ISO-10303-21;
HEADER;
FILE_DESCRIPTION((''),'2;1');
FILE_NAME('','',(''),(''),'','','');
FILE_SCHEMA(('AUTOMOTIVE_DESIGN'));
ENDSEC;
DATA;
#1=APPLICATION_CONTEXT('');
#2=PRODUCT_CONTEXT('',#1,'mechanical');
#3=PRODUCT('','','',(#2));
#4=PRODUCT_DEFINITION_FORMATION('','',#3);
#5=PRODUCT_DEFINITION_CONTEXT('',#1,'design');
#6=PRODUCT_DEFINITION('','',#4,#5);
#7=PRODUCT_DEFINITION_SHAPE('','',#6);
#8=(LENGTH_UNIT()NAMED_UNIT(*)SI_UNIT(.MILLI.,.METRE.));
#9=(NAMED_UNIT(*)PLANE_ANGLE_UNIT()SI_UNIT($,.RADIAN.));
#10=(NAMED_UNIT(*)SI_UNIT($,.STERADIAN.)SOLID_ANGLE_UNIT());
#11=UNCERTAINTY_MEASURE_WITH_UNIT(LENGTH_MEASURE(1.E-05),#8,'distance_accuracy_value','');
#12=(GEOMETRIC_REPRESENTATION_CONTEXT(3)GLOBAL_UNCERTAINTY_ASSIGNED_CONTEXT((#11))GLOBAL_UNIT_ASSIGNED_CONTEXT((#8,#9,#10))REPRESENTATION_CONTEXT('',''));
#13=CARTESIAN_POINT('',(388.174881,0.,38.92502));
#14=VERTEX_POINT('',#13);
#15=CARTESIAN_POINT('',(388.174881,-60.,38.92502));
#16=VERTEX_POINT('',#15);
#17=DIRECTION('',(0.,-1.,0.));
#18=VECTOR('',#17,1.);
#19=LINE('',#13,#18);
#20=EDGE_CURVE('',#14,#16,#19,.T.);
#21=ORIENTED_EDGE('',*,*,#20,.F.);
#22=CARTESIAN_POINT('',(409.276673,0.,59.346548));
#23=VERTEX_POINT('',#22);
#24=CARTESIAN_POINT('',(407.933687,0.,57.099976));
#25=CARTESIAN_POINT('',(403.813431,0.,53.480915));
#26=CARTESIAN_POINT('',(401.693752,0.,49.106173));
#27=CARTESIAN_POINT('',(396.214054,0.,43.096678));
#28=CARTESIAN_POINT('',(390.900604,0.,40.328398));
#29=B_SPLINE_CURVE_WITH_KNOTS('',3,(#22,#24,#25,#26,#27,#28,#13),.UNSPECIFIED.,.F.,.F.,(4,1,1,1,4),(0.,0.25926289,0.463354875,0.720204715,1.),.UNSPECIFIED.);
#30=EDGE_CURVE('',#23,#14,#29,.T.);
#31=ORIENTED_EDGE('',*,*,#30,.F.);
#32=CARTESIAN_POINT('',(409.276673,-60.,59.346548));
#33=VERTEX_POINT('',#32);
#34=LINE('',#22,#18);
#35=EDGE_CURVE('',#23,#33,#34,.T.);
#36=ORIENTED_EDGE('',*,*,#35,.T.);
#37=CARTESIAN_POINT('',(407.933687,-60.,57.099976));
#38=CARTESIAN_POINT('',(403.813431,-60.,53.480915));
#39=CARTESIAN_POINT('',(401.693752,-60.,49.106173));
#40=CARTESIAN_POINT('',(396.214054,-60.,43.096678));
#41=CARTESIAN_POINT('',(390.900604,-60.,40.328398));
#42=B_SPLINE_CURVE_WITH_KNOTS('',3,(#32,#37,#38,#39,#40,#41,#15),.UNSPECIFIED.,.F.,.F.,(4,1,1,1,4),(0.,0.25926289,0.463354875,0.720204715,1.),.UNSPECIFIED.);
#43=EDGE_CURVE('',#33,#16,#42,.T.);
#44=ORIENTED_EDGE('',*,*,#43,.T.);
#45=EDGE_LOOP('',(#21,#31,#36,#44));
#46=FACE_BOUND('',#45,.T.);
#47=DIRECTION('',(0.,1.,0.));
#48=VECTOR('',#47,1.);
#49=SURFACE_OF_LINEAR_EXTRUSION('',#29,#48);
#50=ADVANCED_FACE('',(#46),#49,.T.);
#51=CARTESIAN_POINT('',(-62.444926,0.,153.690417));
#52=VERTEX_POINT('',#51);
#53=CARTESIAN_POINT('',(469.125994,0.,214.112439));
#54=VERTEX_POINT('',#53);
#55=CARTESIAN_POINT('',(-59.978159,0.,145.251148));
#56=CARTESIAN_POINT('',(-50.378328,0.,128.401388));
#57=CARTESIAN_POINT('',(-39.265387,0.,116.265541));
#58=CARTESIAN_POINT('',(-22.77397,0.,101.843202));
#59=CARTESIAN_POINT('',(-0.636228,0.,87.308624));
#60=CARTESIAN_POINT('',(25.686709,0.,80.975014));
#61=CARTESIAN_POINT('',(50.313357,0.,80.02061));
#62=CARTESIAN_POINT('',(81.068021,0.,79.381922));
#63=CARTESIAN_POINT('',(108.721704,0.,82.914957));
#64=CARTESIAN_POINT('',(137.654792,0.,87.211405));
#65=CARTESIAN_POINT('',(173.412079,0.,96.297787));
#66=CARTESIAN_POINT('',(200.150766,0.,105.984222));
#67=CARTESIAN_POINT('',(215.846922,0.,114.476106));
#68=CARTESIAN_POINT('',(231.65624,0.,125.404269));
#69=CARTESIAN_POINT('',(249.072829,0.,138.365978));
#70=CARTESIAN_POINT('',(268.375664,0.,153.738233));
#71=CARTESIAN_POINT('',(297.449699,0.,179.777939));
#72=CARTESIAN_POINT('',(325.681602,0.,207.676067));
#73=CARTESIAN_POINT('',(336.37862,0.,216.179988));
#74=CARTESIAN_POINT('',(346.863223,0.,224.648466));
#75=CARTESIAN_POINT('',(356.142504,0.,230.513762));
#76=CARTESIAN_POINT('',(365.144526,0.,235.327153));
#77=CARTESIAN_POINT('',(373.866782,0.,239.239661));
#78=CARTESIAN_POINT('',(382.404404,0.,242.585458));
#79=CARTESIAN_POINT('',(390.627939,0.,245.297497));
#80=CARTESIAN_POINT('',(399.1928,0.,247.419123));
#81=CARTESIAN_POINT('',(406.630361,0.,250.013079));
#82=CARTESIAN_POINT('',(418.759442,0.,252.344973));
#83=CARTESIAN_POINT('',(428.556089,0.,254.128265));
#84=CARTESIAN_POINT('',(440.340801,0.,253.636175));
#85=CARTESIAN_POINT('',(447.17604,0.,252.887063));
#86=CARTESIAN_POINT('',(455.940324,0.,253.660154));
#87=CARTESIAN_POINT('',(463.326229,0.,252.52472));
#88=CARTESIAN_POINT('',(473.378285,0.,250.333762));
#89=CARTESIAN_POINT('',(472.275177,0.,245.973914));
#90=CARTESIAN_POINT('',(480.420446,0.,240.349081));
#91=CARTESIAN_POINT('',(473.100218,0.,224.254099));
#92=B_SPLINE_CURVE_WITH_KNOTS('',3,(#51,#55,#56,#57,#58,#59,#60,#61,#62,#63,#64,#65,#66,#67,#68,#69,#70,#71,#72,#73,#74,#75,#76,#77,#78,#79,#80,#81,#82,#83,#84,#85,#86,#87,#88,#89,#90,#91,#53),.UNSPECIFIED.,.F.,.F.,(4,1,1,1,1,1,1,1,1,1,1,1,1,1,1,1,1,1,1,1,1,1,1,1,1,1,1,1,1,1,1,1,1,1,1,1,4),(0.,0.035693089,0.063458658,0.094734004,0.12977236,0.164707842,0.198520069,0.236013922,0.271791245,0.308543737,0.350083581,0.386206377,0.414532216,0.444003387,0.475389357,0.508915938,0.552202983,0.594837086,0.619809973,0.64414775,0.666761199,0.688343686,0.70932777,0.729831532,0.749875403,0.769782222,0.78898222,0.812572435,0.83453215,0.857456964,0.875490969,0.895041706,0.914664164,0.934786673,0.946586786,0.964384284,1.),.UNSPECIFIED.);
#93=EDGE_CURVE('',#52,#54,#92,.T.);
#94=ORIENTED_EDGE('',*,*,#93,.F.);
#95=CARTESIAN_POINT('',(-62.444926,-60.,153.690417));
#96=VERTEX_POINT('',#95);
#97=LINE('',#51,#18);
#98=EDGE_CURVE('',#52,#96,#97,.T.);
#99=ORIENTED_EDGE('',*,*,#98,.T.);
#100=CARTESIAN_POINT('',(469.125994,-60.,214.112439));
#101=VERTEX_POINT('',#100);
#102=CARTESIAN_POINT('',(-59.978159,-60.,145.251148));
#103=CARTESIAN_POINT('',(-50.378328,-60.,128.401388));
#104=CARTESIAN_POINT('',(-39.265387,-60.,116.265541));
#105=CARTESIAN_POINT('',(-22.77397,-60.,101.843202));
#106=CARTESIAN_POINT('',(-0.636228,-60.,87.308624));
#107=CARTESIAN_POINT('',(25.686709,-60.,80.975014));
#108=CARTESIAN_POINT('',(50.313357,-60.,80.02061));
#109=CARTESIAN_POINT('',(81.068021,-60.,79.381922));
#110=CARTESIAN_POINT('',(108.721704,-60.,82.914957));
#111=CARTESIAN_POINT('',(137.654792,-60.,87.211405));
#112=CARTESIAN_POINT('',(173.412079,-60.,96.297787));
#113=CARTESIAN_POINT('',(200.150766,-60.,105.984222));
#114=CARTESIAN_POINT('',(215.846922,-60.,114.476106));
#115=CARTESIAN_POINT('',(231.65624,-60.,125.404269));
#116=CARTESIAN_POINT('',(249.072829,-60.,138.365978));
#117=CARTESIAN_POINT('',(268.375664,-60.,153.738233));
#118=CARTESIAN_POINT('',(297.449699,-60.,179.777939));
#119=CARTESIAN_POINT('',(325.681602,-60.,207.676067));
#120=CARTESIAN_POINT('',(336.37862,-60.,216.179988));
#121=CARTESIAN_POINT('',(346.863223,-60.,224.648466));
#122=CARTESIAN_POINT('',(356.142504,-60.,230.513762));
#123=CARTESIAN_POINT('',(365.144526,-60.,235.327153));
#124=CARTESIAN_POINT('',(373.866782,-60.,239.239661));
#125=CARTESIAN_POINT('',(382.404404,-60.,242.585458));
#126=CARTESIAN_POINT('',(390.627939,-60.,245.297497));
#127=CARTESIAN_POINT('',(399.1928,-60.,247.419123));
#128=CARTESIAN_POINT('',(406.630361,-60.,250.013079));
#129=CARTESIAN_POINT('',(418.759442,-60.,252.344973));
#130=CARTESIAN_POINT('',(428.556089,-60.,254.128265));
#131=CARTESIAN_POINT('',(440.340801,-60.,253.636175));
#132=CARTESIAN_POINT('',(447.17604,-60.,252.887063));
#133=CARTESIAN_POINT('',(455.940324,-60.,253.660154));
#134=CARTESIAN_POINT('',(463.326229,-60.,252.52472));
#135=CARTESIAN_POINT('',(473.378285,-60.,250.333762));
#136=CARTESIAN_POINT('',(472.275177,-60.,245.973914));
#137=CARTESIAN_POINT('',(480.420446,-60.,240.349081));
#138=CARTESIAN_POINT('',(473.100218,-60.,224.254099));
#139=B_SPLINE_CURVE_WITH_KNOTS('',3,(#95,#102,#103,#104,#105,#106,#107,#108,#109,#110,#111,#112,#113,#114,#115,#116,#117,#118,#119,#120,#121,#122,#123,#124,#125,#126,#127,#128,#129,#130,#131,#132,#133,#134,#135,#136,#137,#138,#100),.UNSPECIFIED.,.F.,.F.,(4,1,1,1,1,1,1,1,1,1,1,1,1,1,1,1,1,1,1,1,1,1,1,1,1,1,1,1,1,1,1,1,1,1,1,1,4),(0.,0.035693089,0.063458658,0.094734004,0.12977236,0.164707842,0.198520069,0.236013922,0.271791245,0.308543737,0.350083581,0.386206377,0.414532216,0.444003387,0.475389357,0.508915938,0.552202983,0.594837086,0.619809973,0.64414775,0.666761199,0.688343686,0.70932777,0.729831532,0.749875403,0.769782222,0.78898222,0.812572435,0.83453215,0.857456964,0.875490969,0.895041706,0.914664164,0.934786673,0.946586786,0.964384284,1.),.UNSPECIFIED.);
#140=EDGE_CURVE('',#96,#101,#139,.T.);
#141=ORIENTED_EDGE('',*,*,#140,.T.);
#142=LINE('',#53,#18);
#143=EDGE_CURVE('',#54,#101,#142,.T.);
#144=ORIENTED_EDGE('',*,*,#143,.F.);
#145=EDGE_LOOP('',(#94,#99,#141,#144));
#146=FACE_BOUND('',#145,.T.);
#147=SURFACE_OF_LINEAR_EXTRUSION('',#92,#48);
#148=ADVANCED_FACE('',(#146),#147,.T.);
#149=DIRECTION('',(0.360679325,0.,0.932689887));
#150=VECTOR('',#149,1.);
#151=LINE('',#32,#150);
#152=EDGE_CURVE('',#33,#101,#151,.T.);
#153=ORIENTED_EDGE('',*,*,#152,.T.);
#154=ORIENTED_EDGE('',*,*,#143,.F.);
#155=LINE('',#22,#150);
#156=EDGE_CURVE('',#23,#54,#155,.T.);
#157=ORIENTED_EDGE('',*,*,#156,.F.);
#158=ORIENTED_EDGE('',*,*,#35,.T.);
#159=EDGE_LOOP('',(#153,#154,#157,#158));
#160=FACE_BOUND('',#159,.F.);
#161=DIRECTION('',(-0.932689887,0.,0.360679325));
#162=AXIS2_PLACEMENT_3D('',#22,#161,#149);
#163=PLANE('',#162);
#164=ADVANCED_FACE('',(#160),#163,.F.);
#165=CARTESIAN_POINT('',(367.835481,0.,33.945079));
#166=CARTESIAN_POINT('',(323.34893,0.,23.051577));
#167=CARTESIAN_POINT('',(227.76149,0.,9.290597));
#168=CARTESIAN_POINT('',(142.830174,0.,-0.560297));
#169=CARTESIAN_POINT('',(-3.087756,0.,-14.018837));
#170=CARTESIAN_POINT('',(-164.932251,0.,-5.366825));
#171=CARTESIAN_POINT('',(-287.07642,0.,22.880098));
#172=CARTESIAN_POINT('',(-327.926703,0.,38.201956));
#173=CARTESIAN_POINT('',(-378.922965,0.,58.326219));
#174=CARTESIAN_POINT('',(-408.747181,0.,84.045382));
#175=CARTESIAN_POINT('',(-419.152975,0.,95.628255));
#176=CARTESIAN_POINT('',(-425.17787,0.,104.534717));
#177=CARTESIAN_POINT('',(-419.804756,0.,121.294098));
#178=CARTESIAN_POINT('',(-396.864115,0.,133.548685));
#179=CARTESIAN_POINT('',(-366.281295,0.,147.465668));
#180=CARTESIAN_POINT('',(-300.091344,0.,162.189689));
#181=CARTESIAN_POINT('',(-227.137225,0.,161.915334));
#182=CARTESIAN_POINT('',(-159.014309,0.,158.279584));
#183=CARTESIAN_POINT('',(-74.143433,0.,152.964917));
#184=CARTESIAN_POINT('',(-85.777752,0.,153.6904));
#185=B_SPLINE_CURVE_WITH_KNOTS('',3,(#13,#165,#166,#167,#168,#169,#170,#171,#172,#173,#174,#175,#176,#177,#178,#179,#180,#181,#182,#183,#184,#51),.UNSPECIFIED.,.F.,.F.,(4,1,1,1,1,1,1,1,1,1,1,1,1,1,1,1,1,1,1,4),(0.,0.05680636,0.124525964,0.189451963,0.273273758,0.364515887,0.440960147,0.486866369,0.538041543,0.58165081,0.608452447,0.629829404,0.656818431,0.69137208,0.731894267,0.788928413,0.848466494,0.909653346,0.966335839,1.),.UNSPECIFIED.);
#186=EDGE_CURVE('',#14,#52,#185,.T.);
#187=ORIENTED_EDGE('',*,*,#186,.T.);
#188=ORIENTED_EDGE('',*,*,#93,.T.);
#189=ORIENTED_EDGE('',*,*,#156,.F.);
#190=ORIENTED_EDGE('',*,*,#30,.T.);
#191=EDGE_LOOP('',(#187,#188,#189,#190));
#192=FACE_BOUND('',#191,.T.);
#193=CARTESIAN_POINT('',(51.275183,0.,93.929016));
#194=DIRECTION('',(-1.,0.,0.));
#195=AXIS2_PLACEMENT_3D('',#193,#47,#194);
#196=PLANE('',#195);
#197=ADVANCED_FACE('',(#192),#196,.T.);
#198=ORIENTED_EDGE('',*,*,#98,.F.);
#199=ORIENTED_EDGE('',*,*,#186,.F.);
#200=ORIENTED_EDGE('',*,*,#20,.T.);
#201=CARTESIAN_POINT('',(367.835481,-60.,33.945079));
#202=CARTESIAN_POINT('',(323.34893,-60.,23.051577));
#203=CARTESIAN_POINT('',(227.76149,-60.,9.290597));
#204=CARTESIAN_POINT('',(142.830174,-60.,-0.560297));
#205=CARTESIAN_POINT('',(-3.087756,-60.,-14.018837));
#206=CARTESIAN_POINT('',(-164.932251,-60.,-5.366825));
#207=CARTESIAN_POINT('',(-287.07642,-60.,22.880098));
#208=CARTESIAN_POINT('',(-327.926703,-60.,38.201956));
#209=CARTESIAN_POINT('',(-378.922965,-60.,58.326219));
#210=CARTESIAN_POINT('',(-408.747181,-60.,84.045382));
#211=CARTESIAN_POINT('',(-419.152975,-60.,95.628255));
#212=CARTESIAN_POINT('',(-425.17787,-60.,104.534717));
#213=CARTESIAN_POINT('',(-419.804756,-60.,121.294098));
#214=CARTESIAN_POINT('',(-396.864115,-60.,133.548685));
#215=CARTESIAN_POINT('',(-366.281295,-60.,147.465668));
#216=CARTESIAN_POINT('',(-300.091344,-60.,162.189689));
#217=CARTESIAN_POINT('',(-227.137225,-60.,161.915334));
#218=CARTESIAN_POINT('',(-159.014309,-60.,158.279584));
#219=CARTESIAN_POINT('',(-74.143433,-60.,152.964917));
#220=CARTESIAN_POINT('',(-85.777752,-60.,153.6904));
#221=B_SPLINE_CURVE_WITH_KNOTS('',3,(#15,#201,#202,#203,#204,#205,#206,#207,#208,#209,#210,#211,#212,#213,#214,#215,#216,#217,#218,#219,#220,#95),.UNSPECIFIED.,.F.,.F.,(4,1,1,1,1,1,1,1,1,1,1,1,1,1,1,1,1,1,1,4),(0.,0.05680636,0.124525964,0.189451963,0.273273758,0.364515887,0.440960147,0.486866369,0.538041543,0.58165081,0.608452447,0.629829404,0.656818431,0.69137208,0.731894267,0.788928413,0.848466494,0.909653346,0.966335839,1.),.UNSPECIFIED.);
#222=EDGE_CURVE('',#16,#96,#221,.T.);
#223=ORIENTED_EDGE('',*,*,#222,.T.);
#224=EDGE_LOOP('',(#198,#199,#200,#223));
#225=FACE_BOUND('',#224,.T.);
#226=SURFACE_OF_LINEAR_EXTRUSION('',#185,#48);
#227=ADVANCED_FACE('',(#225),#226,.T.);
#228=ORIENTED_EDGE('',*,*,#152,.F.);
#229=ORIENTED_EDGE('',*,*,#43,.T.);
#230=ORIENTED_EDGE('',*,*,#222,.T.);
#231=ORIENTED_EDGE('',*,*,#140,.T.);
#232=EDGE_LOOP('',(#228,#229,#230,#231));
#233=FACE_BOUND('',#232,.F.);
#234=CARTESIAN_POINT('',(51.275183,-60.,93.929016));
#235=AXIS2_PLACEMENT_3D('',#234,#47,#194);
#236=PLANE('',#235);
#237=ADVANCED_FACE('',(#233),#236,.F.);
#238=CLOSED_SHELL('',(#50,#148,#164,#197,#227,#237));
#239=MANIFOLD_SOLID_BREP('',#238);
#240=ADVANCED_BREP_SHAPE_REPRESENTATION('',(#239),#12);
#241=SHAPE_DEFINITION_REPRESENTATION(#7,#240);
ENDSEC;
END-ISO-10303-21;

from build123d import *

# Parameters (mm, degrees)
F1_DEPTH = 60


with BuildPart() as f1:
    # F0 (on Front) → F1 (new body)
    with BuildSketch(Plane.XZ):
        with BuildLine():
            add(Edge.make_bspline(
                [(-62.4449264948, 153.6904168403), (-59.9781594759, 145.251147977), (-50.3783278687, 128.4013883741), (-39.2653868826, 116.2655408666), (-22.7739696224, 101.8432015396), (-0.6362283284, 87.308624018), (25.6867093962, 80.9750139483), (50.3133569645, 80.0206096691), (81.0680206368, 79.3819221417), (108.7217044297, 82.9149570368), (137.6547921433, 87.2114053872), (173.4120792833, 96.2977871476), (200.150766054, 105.9842216435), (215.8469222568, 114.4761057064), (231.6562400915, 125.4042692431), (249.0728287062, 138.3659783437), (268.3756640136, 153.7382331531), (297.4496992308, 179.7779386436), (325.6816017844, 207.6760670836), (336.3786204671, 216.1799875621), (346.8632227221, 224.6484655654), (356.1425044609, 230.5137620207), (365.1445258485, 235.3271534066), (373.8667821449, 239.2396612327), (382.4044043103, 242.5854575548), (390.6279391412, 245.2974973611), (399.1927999667, 247.4191233061), (406.630360903, 250.0130791466), (418.7594419781, 252.3449725602), (428.5560885257, 254.1282646389), (440.340801445, 253.6361752885), (447.176040072, 252.887063421), (455.9403239039, 253.6601535633), (463.3262292932, 252.5247198413), (473.3782852534, 250.3337624246), (472.2751772745, 245.9739141594), (480.4204460018, 240.3490814587), (473.1002175543, 224.2540994902), (469.1259944218, 214.1124388058)],
                knots=[0, 0, 0, 0, 0.0356930891, 0.0634586576, 0.0947340043, 0.1297723597, 0.1647078415, 0.1985200694, 0.2360139215, 0.2717912446, 0.3085437366, 0.3500835808, 0.3862063772, 0.4145322161, 0.4440033869, 0.4753893565, 0.5089159384, 0.5522029835, 0.5948370856, 0.6198099727, 0.6441477499, 0.6667611994, 0.6883436858, 0.7093277704, 0.7298315325, 0.7498754033, 0.7697822222, 0.7889822199, 0.8125724345, 0.8345321501, 0.8574569644, 0.8754909693, 0.8950417062, 0.9146641636, 0.9347866729, 0.9465867859, 0.9643842836, 1, 1, 1, 1], degree=3))
            add(Edge.make_bspline(
                [(388.1748810778, 38.9250197376), (367.835480517, 33.9450790943), (323.3489304475, 23.0515766844), (227.7614901952, 9.2905971471), (142.8301741196, -0.560296922), (-3.0877564707, -14.0188370892), (-164.9322511119, -5.366824745), (-287.0764204599, 22.8800982752), (-327.9267031396, 38.2019558084), (-378.9229647347, 58.3262185116), (-408.7471809298, 84.0453819267), (-419.1529753851, 95.6282549236), (-425.1778696072, 104.5347174334), (-419.8047560284, 121.2940977501), (-396.8641149573, 133.5486854232), (-366.2812953804, 147.4656684208), (-300.0913442862, 162.1896885648), (-227.1372250862, 161.91533417), (-159.0143086229, 158.2795842039), (-74.1434333054, 152.9649168677), (-85.7777522883, 153.690400234), (-62.4449264948, 153.6904168403)],
                knots=[0, 0, 0, 0, 0.0568063605, 0.124525964, 0.1894519626, 0.2732737584, 0.3645158867, 0.4409601469, 0.4868663693, 0.5380415426, 0.5816508104, 0.6084524473, 0.629829404, 0.6568184311, 0.6913720798, 0.7318942671, 0.7889284126, 0.8484664943, 0.9096533459, 0.9663358385, 1, 1, 1, 1], degree=3))
            add(Edge.make_bspline(
                [(409.2766727926, 59.3465479718), (407.9336865003, 57.0999755453), (403.8134313052, 53.4809150912), (401.6937518769, 49.1061725619), (396.2140544624, 43.0966777501), (390.9006042271, 40.3283982455), (388.1748810778, 38.9250197376)],
                knots=[0, 0, 0, 0, 0.2592628897, 0.4633548751, 0.7202047154, 1, 1, 1, 1], degree=3))
            Line((409.2766727926, 59.3465479718), (469.1259944218, 214.1124388058))
        make_face()
    extrude(amount=F1_DEPTH)


solid = f1.part
